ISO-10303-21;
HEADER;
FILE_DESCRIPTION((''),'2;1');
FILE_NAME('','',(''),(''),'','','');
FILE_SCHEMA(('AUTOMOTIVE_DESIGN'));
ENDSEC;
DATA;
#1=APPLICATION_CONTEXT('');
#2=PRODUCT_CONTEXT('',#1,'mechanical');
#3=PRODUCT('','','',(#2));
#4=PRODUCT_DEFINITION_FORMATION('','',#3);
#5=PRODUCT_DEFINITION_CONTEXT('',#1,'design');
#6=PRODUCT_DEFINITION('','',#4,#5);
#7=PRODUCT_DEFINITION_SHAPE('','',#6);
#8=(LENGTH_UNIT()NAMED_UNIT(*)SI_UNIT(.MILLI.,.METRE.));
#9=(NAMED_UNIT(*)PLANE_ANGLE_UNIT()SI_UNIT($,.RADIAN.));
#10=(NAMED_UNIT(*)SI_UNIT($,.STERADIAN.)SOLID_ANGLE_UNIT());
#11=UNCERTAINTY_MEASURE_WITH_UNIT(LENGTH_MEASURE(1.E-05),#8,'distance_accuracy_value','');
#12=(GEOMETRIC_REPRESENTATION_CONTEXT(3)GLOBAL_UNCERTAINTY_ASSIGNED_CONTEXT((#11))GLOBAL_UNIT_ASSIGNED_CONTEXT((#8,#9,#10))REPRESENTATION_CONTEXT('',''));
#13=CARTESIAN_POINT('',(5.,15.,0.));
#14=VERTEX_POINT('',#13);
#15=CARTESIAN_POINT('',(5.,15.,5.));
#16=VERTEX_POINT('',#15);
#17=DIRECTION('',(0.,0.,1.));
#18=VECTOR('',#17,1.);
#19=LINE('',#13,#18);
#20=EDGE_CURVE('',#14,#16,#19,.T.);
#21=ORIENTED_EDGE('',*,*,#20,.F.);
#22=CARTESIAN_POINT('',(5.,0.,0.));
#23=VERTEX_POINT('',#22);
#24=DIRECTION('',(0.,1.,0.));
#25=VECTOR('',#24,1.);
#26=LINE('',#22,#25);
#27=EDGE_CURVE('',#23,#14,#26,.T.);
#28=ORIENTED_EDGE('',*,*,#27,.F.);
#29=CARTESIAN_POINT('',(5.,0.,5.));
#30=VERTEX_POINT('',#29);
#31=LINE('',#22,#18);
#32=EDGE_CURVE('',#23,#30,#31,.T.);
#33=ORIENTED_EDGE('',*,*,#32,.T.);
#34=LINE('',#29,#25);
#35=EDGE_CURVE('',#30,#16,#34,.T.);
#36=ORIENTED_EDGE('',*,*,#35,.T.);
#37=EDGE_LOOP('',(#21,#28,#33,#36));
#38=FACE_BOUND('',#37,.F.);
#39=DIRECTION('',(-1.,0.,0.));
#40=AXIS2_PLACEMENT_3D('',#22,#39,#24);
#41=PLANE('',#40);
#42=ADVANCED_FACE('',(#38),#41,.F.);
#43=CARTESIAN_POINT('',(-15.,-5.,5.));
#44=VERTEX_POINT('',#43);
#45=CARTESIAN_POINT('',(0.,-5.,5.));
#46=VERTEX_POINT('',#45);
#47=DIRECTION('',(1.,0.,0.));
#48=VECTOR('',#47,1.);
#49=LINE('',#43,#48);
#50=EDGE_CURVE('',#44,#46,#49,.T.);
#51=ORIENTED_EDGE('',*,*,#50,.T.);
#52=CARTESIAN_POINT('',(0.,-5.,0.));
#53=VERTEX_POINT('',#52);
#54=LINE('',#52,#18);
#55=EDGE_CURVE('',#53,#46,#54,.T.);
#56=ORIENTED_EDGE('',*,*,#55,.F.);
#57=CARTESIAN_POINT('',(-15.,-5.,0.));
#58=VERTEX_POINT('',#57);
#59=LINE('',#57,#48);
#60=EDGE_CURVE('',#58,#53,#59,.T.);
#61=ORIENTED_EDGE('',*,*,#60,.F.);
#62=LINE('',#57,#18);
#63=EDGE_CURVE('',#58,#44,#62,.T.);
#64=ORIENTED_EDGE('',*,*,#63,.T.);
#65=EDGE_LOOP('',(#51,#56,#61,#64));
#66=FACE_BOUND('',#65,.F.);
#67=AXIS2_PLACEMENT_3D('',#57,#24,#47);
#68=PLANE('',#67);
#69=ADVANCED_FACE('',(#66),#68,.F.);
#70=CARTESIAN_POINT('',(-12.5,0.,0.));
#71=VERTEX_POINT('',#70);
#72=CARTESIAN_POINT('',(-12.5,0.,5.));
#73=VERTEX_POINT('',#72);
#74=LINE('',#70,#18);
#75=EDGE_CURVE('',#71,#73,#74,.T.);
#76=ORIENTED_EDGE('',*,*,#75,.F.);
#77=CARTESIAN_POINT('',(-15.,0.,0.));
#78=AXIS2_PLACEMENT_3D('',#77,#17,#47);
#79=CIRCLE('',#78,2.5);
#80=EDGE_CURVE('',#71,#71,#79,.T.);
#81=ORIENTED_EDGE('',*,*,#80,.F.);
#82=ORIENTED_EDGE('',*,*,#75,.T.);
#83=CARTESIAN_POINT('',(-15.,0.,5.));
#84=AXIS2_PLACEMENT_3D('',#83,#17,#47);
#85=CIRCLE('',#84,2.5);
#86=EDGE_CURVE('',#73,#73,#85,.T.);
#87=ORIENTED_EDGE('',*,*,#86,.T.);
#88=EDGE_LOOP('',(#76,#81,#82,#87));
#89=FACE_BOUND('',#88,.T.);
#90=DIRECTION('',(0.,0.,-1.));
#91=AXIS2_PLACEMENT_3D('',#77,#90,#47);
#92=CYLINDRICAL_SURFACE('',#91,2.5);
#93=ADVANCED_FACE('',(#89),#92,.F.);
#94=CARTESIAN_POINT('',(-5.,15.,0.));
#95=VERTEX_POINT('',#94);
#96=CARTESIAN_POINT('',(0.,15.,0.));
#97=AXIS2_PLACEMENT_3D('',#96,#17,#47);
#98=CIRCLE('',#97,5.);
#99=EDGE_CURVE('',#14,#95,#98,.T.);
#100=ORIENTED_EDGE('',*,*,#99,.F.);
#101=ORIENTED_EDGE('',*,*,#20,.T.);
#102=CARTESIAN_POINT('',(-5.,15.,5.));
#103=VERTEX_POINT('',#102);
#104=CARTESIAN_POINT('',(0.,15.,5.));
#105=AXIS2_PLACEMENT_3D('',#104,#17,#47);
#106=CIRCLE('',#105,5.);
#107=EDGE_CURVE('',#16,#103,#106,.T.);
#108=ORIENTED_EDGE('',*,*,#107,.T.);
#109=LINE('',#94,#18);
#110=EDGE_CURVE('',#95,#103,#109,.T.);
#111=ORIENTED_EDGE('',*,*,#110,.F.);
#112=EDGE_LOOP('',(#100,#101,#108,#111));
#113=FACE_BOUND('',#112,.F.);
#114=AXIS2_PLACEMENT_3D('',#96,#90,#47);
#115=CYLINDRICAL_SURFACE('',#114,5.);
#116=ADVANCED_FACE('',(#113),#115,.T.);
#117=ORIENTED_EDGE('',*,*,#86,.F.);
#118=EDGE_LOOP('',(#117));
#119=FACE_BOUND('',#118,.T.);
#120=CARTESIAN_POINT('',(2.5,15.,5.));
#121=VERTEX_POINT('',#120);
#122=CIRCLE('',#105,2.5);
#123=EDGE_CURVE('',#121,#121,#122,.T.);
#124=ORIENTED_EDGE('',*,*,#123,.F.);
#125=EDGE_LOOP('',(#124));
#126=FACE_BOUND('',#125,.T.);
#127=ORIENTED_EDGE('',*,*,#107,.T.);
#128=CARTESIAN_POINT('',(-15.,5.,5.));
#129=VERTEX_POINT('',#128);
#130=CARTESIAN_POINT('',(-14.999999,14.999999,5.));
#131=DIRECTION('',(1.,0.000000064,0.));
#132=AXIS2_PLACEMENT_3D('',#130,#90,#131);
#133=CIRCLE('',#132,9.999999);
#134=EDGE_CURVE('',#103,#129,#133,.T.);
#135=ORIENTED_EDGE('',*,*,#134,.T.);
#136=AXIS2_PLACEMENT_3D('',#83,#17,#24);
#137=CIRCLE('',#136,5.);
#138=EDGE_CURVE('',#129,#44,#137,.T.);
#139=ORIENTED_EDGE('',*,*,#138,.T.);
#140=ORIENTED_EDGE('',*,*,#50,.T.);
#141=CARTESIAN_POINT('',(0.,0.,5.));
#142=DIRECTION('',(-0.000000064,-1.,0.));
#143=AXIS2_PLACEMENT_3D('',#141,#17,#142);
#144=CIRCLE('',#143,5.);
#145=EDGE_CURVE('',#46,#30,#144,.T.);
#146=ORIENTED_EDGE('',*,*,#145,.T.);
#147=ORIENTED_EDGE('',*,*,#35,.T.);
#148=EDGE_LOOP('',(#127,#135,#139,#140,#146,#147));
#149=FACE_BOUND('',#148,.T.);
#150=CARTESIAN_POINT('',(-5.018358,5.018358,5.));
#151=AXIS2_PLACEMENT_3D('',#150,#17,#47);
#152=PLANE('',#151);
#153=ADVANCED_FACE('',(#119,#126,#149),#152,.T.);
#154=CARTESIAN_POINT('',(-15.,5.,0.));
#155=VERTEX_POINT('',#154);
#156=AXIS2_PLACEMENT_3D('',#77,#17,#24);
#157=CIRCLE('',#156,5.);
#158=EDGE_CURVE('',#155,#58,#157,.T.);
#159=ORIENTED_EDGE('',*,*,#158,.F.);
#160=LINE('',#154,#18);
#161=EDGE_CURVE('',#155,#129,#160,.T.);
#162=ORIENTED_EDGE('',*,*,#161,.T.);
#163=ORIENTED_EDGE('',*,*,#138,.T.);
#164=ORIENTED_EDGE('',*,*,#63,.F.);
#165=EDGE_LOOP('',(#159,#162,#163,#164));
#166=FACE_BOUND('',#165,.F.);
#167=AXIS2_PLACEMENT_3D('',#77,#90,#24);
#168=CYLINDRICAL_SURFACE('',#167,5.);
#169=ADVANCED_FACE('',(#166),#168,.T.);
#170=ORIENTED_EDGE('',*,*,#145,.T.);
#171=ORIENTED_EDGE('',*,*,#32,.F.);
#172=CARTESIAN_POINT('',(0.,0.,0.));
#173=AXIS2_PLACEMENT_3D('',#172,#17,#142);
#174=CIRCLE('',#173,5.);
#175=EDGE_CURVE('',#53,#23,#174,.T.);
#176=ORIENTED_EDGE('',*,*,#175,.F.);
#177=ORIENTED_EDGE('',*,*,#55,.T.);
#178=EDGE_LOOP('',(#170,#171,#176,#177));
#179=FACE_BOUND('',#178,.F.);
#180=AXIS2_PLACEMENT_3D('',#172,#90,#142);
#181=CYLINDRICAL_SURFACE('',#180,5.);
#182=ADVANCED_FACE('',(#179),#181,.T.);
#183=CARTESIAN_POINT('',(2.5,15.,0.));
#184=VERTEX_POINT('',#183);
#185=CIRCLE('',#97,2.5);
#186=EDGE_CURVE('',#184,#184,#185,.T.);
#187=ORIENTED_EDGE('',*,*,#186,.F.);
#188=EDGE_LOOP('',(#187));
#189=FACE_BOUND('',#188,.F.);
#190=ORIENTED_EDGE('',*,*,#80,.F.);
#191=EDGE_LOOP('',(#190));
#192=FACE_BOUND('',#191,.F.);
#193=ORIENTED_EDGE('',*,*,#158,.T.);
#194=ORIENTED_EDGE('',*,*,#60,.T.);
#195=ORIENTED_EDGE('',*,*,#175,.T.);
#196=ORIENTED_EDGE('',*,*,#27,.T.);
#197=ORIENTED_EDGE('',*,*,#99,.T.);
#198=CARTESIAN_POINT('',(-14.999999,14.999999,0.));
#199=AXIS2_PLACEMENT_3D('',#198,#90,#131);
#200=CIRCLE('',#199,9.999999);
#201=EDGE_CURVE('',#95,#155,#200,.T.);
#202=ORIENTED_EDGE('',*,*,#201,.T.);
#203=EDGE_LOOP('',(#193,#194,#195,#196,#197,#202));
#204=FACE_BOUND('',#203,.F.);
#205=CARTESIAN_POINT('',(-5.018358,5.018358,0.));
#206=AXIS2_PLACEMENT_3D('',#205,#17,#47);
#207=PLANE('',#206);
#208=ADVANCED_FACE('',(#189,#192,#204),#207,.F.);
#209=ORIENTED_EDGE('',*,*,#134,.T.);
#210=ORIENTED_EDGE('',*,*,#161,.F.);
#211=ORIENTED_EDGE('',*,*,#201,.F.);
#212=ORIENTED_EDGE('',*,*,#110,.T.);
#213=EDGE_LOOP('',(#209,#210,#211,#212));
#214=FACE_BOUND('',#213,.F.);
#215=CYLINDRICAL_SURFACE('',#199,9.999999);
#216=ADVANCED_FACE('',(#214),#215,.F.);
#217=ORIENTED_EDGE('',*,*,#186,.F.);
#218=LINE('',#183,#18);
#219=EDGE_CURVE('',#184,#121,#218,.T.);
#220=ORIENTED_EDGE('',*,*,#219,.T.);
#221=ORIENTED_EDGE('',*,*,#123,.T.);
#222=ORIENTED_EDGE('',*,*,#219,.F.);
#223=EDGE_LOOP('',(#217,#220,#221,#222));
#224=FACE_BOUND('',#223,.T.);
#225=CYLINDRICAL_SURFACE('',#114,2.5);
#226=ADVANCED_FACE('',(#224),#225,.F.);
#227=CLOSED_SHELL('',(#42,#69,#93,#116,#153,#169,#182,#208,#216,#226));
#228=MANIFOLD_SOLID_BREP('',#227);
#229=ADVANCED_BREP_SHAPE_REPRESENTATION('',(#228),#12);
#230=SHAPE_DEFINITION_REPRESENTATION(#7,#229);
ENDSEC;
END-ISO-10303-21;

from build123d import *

# Parameters (mm, degrees)
F0_R     = 2.5
F1_DEPTH = 5


with BuildPart() as f1:
    # F0 (on Top) → F1 (new body)
    with BuildSketch(Plane.XY):
        with BuildLine():
            ThreePointArc((0, -5), (3.535534, -3.535534), (5, 0))
            Line((5, 0), (5, 15))
            ThreePointArc((5, 15), (0, 20), (-5, 15))
            ThreePointArc((-5, 15), (-7.928932, 7.928932), (-15, 5))
            ThreePointArc((-15, 5), (-20, 0), (-15, -5))
            Line((-15, -5), (0, -5))
        make_face()
        with Locations((-15, 0)):
            Circle(F0_R, mode=Mode.SUBTRACT)
        with Locations((0, 15)):
            Circle(F0_R, mode=Mode.SUBTRACT)
    extrude(amount=F1_DEPTH)


solid = f1.part
